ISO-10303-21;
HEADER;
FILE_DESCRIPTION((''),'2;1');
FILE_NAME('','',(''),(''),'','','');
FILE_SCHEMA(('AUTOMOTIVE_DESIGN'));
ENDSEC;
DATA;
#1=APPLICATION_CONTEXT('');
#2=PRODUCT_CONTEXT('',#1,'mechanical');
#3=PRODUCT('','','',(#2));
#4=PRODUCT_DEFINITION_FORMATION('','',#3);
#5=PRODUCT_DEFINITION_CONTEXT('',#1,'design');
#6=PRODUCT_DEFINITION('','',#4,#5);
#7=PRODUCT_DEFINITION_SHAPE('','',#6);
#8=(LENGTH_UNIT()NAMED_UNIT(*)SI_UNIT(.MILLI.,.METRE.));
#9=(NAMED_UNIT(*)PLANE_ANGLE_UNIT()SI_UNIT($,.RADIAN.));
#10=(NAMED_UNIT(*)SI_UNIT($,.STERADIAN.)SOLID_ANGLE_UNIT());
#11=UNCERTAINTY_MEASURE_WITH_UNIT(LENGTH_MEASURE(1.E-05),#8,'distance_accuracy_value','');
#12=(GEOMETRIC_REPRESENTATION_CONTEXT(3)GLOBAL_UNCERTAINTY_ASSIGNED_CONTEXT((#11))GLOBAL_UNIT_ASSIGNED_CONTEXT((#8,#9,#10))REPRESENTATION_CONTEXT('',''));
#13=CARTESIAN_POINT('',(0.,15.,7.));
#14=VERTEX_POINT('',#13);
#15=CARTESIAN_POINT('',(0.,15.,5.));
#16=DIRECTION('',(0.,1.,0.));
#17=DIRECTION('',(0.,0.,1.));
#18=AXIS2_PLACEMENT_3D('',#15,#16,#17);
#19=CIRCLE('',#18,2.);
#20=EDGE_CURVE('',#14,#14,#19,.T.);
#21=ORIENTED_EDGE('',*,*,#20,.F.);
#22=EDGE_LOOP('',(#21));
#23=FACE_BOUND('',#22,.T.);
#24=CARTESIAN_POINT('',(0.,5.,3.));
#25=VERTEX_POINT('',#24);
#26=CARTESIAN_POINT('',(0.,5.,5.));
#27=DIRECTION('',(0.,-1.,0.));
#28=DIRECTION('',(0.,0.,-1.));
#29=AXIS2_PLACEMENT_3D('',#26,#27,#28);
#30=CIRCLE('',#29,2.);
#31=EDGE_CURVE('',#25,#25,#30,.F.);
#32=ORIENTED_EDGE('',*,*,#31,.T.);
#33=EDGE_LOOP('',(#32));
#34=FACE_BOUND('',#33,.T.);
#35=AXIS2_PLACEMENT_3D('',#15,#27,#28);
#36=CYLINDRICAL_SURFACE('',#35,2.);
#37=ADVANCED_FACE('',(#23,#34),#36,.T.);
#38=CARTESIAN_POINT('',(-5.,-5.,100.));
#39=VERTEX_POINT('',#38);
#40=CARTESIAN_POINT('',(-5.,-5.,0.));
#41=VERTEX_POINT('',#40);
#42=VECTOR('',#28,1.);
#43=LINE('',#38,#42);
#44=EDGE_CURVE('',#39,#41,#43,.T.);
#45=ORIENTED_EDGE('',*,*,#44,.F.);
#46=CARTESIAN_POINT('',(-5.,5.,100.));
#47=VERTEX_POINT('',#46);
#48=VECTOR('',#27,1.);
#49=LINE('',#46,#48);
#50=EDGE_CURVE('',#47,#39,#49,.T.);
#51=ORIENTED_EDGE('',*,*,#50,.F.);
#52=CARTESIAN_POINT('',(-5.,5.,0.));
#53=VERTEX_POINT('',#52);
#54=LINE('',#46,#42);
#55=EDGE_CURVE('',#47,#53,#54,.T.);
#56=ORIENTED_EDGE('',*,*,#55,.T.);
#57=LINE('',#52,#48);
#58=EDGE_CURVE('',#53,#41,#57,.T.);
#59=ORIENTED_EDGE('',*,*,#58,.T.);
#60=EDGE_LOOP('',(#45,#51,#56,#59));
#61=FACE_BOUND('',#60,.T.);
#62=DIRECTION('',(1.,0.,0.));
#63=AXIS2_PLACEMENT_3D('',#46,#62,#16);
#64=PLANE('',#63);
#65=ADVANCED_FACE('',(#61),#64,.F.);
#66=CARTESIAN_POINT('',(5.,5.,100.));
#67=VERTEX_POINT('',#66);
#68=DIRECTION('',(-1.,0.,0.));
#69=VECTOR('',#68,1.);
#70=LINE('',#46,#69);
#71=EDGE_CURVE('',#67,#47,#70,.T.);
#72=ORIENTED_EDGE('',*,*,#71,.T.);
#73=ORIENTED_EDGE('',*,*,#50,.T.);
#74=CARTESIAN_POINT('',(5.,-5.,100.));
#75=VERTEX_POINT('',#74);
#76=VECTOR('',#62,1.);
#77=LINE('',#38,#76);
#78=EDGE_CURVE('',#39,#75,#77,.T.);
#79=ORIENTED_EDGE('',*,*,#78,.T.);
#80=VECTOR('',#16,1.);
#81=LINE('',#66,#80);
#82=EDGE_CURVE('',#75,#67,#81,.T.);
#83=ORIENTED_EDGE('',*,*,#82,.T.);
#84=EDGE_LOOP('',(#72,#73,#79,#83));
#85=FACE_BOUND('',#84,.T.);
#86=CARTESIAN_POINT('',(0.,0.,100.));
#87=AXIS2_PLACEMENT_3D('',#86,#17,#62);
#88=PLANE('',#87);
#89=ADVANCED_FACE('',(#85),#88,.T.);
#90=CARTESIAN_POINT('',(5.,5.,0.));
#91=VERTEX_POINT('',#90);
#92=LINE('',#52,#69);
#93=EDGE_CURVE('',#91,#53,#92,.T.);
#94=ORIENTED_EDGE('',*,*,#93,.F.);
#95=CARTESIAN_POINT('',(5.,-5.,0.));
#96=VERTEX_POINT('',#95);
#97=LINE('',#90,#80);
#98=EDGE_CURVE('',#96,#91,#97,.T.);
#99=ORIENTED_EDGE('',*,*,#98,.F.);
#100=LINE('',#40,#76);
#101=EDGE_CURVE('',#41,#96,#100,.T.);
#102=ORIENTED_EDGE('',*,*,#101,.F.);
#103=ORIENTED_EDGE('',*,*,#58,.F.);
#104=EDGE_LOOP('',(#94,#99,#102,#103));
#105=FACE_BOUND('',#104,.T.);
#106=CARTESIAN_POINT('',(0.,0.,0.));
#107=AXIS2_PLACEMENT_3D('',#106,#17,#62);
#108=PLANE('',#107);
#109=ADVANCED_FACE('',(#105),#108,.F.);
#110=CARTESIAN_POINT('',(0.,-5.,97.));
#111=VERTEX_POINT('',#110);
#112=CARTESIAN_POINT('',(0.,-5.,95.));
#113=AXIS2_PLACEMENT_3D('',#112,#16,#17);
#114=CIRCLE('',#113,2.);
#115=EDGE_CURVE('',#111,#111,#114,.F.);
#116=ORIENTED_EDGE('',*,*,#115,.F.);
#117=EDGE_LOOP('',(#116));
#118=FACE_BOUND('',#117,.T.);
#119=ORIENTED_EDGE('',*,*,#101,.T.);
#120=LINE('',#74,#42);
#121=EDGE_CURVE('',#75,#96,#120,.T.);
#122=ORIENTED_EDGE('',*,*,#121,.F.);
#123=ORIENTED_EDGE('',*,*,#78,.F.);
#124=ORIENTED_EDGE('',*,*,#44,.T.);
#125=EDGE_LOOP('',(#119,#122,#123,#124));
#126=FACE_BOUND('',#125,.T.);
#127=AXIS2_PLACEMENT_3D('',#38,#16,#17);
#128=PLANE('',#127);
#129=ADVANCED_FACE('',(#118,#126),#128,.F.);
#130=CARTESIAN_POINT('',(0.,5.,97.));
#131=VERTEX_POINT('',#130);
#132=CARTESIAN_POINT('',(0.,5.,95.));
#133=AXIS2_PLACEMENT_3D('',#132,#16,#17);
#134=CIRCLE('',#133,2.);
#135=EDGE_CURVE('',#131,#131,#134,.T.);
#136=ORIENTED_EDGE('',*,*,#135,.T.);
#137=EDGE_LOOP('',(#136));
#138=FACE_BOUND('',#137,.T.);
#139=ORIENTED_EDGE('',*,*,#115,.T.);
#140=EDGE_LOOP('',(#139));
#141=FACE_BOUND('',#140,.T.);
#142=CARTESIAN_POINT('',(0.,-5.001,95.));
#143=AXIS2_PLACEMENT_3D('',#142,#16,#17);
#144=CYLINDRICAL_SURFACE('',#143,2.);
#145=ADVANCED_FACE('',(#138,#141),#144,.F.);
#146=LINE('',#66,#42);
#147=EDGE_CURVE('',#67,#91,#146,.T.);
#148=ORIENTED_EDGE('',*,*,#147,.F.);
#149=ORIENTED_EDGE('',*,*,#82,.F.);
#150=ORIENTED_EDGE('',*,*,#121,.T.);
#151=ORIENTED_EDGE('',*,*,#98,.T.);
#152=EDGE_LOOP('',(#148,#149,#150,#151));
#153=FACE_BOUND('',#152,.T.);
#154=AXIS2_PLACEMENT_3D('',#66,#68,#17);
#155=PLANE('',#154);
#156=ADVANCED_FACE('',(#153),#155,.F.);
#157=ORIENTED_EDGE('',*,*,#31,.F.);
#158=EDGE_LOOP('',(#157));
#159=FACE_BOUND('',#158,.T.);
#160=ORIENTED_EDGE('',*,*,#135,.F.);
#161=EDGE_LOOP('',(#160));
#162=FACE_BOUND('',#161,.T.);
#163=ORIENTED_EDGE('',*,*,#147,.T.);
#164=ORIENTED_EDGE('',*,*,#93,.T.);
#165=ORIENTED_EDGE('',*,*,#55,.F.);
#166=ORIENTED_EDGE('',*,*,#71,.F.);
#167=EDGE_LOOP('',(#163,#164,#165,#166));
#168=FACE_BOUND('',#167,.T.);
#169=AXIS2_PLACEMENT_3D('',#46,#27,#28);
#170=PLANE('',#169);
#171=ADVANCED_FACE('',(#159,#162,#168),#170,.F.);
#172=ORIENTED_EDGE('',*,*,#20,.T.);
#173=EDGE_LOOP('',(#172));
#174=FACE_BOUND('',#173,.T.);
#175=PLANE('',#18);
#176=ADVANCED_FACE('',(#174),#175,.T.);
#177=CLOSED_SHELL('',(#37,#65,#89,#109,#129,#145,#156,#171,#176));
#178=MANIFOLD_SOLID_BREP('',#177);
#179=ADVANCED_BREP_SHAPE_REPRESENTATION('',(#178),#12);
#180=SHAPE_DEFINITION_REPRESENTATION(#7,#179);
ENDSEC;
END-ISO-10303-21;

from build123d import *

# Parameters (mm, degrees)
SKETCH2_W           = 10
SKETCH2_H           = 10
BOSS_EXTRUDE1_DEPTH = 100
CUT_EXTRUDE1_REACH  = 102.623
SKETCH3_R           = 2
SKETCH4_R           = 2
BOSS_EXTRUDE2_DEPTH = 10


with BuildPart() as part:
    # Sketch2 → Boss-Extrude1 (new body)
    with BuildSketch(Plane.XY):
        Rectangle(SKETCH2_W, SKETCH2_H)
    extrude(amount=BOSS_EXTRUDE1_DEPTH)

    # Sketch3 → Cut-Extrude1 (cut, up to next)
    with BuildSketch(Plane(origin=(0, 5, 0), x_dir=(1, 0, 0), z_dir=(0, 1, 0)), mode=Mode.PRIVATE) as cut_extrude1_sk1:
        with Locations(Location((0, -95, 0), (0, 0, 270))):
            Circle(SKETCH3_R)
    cut_extrude1_tool1 = extrude(cut_extrude1_sk1.sketch, amount=-CUT_EXTRUDE1_REACH, mode=Mode.PRIVATE) & part.part
    add(cut_extrude1_tool1.solids().sort_by_distance((0, 5, 95))[0], mode=Mode.SUBTRACT)

    # Sketch4 → Boss-Extrude2 (add)
    with BuildSketch(Plane(origin=(0, 5, 0), x_dir=(1, 0, 0), z_dir=(0, 1, 0))):
        with Locations(Location((0, -5, 0), (0, 0, 90))):
            Circle(SKETCH4_R)
    extrude(amount=BOSS_EXTRUDE2_DEPTH)


solid = part.part
